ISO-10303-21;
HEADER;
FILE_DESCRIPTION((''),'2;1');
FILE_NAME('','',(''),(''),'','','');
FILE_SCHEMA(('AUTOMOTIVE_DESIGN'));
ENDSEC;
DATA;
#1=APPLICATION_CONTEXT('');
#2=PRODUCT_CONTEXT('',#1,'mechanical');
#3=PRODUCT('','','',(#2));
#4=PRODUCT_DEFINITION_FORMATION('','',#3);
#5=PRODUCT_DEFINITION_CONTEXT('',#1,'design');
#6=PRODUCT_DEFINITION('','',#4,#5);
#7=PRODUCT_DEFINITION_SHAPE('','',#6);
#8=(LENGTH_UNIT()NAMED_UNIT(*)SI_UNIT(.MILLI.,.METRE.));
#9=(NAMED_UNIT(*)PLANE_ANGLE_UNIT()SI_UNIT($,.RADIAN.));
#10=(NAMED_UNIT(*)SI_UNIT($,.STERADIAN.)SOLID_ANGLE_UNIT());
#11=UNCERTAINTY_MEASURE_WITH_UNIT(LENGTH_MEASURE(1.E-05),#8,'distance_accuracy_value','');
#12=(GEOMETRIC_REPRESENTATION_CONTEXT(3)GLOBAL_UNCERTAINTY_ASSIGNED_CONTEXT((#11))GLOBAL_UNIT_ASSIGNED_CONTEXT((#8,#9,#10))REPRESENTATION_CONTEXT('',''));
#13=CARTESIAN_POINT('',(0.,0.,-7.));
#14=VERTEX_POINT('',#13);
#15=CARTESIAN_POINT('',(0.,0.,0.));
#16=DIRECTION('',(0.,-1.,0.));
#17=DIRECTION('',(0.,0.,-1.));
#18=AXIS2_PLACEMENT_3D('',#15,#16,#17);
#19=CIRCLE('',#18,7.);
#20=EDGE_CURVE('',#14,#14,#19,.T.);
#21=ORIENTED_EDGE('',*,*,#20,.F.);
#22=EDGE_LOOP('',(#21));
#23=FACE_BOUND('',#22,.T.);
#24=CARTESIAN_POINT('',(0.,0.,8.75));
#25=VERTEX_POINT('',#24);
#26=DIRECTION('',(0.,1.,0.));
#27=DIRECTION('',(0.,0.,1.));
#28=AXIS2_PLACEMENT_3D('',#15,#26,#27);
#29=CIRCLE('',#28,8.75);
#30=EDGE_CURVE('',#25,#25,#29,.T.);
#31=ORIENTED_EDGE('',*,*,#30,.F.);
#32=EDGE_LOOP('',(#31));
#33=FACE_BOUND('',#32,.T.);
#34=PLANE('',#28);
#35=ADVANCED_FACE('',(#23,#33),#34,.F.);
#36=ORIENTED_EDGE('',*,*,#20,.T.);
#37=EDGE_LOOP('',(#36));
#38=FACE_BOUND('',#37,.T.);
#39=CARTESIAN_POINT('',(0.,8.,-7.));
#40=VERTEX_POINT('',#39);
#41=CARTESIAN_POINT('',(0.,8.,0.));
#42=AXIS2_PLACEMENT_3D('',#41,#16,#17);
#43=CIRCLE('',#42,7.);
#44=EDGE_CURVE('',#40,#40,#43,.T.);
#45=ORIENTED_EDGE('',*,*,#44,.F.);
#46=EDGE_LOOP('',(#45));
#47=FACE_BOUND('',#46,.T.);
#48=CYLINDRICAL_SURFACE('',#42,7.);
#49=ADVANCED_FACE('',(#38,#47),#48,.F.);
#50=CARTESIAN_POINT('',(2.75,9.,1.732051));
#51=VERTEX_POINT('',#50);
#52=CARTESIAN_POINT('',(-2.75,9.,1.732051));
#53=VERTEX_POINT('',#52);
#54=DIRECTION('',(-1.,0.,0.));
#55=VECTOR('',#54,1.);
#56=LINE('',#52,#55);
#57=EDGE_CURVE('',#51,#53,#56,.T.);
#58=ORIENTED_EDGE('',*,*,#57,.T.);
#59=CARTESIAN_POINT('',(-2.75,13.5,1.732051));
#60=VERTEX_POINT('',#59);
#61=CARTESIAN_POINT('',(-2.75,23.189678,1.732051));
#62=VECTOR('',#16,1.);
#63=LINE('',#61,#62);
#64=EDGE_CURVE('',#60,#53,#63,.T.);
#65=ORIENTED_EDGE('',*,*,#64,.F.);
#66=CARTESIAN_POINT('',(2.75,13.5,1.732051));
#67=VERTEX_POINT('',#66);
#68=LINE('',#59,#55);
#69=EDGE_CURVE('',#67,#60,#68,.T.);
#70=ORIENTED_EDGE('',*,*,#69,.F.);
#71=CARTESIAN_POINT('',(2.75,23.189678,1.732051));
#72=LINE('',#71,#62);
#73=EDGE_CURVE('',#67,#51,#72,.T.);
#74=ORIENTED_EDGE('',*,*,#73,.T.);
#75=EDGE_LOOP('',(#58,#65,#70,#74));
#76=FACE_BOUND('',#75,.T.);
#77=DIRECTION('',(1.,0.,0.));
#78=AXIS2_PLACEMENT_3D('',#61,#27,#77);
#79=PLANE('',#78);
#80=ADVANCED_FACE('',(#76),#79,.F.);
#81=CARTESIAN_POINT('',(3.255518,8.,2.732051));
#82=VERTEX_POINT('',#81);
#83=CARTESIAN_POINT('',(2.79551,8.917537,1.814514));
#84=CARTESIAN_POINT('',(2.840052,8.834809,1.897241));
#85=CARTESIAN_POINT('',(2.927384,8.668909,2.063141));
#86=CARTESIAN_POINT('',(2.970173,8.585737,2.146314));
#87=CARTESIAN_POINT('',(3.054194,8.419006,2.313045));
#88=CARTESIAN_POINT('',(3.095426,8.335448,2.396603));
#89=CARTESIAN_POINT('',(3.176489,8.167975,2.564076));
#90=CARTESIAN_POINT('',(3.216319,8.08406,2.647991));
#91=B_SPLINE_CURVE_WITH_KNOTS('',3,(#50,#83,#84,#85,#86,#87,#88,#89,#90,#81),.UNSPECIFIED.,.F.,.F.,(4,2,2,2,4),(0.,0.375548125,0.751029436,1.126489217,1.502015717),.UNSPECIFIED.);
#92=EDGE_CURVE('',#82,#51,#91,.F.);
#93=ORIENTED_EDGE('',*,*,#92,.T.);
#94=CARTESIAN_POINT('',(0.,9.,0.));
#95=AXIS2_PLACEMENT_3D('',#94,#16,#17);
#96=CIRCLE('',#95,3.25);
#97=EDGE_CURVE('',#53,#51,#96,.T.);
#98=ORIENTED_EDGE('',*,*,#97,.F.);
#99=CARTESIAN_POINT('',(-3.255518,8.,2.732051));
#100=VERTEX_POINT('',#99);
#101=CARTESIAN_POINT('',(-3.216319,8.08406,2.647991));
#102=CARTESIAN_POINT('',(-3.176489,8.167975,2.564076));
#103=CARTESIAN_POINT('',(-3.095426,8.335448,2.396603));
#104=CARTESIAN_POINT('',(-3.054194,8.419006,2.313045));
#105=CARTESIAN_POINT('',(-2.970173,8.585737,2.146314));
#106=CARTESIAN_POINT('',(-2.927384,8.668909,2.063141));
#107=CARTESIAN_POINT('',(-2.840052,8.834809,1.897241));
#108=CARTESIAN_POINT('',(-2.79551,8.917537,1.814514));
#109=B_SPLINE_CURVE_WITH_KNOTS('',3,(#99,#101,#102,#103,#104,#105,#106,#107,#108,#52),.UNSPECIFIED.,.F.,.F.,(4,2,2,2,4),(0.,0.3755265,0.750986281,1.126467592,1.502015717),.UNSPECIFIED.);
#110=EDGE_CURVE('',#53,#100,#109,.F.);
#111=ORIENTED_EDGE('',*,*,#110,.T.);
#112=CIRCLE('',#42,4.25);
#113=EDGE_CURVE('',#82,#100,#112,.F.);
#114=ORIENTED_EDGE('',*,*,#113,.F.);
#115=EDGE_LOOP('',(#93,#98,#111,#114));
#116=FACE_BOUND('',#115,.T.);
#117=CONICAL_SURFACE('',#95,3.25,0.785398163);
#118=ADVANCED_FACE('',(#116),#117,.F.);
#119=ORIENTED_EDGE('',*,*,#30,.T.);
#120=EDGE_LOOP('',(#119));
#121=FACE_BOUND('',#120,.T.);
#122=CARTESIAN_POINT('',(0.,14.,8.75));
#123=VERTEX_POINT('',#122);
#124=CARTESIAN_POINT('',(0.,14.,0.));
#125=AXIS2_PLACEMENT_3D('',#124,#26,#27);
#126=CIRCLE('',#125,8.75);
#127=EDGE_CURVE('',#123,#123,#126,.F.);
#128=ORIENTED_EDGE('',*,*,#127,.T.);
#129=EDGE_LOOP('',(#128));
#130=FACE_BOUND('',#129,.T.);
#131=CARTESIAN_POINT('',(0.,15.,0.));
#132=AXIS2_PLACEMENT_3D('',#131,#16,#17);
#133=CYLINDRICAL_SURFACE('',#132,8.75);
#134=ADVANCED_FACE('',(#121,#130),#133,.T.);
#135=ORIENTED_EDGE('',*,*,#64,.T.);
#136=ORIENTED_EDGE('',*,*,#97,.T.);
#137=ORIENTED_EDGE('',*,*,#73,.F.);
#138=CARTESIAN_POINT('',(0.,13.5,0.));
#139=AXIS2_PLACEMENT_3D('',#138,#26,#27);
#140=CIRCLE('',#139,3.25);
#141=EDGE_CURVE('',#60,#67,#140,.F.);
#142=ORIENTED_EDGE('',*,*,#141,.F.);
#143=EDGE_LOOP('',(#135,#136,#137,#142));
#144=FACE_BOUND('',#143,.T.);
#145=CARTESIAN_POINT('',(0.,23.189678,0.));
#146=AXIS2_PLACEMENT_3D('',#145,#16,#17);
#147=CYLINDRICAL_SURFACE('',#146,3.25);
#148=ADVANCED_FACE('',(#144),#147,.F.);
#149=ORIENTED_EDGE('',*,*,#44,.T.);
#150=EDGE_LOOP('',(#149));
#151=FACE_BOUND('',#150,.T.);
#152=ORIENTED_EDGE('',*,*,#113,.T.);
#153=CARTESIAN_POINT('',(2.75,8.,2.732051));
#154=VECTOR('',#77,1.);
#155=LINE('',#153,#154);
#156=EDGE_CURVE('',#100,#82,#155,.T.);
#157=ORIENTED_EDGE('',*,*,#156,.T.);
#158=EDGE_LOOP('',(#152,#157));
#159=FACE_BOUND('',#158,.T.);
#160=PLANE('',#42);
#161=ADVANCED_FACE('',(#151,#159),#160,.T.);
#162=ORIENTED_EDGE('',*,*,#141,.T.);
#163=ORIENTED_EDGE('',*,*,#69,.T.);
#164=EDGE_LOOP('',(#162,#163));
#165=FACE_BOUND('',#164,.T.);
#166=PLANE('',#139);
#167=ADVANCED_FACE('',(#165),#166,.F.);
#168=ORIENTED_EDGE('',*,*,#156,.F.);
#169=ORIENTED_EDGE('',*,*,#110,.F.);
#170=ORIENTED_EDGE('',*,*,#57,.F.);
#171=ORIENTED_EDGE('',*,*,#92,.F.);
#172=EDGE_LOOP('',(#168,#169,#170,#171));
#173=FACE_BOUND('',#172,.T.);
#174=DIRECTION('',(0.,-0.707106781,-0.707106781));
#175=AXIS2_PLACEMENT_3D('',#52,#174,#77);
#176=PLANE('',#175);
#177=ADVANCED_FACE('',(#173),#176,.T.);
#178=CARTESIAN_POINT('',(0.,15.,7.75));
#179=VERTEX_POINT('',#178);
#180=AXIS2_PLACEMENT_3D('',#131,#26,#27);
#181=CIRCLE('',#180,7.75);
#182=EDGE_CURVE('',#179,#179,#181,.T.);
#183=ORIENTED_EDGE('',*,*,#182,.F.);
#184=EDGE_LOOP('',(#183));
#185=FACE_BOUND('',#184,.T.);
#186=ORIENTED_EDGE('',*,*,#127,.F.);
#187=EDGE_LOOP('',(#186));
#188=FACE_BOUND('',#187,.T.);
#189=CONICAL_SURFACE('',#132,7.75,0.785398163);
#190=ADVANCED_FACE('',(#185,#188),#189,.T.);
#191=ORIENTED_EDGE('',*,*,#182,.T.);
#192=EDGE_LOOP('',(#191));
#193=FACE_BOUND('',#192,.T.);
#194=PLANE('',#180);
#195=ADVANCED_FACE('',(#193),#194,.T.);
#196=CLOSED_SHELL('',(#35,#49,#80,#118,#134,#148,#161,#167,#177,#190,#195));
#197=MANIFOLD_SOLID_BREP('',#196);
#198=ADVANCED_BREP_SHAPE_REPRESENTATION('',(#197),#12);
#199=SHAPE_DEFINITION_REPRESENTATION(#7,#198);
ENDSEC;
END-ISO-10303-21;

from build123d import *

# Parameters (mm, degrees)
SKETCH1_R           = 8.75
BOSS_EXTRUDE1_DEPTH = 15
SKETCH2_R           = 7
CUT_EXTRUDE1_DEPTH  = 8
CUT_EXTRUDE2_DEPTH  = 5.5
CHAMFER1_SIZE       = 1
CHAMFER2_SIZE       = 1


with BuildPart() as part:
    # Sketch1 → Boss-Extrude1 (new body)
    with BuildSketch(Plane(origin=(0, 0, 0), x_dir=(1, 0, 0), z_dir=(0, 1, 0))):
        with Locations(Location((0, 0, 0), (0, 0, 270))):
            Circle(SKETCH1_R)
    extrude(amount=BOSS_EXTRUDE1_DEPTH)

    # Sketch2 → Cut-Extrude1 (cut)
    with BuildSketch(Plane.XZ):
        with Locations(Location((0, 0, 0), (0, 0, 270))):
            Circle(SKETCH2_R)
    extrude(amount=-CUT_EXTRUDE1_DEPTH, mode=Mode.SUBTRACT)

    # Sketch3 → Cut-Extrude2 (cut)
    with BuildSketch(Plane.XZ.offset(-8)):
        with BuildLine():
            Line((-2.75, 1.732050808), (2.75, 1.732050808))
            ThreePointArc((2.75, 1.732050808), (0, -3.25), (-2.75, 1.732050808))
        make_face()
    extrude(amount=-CUT_EXTRUDE2_DEPTH, mode=Mode.SUBTRACT)

    # Chamfer1
    chamfer1_edges = [part.edges().sort_by_distance(p)[0] for p in [
        (0, 15, -8.75),
    ]]
    chamfer(chamfer1_edges, length=CHAMFER1_SIZE)

    # Chamfer2
    chamfer2_edges = [part.edges().sort_by_distance(p)[0] for p in [
        (0, 8, -3.25),
        (0, 8, 1.732050808),
    ]]
    chamfer(chamfer2_edges, length=CHAMFER2_SIZE)


solid = part.part
